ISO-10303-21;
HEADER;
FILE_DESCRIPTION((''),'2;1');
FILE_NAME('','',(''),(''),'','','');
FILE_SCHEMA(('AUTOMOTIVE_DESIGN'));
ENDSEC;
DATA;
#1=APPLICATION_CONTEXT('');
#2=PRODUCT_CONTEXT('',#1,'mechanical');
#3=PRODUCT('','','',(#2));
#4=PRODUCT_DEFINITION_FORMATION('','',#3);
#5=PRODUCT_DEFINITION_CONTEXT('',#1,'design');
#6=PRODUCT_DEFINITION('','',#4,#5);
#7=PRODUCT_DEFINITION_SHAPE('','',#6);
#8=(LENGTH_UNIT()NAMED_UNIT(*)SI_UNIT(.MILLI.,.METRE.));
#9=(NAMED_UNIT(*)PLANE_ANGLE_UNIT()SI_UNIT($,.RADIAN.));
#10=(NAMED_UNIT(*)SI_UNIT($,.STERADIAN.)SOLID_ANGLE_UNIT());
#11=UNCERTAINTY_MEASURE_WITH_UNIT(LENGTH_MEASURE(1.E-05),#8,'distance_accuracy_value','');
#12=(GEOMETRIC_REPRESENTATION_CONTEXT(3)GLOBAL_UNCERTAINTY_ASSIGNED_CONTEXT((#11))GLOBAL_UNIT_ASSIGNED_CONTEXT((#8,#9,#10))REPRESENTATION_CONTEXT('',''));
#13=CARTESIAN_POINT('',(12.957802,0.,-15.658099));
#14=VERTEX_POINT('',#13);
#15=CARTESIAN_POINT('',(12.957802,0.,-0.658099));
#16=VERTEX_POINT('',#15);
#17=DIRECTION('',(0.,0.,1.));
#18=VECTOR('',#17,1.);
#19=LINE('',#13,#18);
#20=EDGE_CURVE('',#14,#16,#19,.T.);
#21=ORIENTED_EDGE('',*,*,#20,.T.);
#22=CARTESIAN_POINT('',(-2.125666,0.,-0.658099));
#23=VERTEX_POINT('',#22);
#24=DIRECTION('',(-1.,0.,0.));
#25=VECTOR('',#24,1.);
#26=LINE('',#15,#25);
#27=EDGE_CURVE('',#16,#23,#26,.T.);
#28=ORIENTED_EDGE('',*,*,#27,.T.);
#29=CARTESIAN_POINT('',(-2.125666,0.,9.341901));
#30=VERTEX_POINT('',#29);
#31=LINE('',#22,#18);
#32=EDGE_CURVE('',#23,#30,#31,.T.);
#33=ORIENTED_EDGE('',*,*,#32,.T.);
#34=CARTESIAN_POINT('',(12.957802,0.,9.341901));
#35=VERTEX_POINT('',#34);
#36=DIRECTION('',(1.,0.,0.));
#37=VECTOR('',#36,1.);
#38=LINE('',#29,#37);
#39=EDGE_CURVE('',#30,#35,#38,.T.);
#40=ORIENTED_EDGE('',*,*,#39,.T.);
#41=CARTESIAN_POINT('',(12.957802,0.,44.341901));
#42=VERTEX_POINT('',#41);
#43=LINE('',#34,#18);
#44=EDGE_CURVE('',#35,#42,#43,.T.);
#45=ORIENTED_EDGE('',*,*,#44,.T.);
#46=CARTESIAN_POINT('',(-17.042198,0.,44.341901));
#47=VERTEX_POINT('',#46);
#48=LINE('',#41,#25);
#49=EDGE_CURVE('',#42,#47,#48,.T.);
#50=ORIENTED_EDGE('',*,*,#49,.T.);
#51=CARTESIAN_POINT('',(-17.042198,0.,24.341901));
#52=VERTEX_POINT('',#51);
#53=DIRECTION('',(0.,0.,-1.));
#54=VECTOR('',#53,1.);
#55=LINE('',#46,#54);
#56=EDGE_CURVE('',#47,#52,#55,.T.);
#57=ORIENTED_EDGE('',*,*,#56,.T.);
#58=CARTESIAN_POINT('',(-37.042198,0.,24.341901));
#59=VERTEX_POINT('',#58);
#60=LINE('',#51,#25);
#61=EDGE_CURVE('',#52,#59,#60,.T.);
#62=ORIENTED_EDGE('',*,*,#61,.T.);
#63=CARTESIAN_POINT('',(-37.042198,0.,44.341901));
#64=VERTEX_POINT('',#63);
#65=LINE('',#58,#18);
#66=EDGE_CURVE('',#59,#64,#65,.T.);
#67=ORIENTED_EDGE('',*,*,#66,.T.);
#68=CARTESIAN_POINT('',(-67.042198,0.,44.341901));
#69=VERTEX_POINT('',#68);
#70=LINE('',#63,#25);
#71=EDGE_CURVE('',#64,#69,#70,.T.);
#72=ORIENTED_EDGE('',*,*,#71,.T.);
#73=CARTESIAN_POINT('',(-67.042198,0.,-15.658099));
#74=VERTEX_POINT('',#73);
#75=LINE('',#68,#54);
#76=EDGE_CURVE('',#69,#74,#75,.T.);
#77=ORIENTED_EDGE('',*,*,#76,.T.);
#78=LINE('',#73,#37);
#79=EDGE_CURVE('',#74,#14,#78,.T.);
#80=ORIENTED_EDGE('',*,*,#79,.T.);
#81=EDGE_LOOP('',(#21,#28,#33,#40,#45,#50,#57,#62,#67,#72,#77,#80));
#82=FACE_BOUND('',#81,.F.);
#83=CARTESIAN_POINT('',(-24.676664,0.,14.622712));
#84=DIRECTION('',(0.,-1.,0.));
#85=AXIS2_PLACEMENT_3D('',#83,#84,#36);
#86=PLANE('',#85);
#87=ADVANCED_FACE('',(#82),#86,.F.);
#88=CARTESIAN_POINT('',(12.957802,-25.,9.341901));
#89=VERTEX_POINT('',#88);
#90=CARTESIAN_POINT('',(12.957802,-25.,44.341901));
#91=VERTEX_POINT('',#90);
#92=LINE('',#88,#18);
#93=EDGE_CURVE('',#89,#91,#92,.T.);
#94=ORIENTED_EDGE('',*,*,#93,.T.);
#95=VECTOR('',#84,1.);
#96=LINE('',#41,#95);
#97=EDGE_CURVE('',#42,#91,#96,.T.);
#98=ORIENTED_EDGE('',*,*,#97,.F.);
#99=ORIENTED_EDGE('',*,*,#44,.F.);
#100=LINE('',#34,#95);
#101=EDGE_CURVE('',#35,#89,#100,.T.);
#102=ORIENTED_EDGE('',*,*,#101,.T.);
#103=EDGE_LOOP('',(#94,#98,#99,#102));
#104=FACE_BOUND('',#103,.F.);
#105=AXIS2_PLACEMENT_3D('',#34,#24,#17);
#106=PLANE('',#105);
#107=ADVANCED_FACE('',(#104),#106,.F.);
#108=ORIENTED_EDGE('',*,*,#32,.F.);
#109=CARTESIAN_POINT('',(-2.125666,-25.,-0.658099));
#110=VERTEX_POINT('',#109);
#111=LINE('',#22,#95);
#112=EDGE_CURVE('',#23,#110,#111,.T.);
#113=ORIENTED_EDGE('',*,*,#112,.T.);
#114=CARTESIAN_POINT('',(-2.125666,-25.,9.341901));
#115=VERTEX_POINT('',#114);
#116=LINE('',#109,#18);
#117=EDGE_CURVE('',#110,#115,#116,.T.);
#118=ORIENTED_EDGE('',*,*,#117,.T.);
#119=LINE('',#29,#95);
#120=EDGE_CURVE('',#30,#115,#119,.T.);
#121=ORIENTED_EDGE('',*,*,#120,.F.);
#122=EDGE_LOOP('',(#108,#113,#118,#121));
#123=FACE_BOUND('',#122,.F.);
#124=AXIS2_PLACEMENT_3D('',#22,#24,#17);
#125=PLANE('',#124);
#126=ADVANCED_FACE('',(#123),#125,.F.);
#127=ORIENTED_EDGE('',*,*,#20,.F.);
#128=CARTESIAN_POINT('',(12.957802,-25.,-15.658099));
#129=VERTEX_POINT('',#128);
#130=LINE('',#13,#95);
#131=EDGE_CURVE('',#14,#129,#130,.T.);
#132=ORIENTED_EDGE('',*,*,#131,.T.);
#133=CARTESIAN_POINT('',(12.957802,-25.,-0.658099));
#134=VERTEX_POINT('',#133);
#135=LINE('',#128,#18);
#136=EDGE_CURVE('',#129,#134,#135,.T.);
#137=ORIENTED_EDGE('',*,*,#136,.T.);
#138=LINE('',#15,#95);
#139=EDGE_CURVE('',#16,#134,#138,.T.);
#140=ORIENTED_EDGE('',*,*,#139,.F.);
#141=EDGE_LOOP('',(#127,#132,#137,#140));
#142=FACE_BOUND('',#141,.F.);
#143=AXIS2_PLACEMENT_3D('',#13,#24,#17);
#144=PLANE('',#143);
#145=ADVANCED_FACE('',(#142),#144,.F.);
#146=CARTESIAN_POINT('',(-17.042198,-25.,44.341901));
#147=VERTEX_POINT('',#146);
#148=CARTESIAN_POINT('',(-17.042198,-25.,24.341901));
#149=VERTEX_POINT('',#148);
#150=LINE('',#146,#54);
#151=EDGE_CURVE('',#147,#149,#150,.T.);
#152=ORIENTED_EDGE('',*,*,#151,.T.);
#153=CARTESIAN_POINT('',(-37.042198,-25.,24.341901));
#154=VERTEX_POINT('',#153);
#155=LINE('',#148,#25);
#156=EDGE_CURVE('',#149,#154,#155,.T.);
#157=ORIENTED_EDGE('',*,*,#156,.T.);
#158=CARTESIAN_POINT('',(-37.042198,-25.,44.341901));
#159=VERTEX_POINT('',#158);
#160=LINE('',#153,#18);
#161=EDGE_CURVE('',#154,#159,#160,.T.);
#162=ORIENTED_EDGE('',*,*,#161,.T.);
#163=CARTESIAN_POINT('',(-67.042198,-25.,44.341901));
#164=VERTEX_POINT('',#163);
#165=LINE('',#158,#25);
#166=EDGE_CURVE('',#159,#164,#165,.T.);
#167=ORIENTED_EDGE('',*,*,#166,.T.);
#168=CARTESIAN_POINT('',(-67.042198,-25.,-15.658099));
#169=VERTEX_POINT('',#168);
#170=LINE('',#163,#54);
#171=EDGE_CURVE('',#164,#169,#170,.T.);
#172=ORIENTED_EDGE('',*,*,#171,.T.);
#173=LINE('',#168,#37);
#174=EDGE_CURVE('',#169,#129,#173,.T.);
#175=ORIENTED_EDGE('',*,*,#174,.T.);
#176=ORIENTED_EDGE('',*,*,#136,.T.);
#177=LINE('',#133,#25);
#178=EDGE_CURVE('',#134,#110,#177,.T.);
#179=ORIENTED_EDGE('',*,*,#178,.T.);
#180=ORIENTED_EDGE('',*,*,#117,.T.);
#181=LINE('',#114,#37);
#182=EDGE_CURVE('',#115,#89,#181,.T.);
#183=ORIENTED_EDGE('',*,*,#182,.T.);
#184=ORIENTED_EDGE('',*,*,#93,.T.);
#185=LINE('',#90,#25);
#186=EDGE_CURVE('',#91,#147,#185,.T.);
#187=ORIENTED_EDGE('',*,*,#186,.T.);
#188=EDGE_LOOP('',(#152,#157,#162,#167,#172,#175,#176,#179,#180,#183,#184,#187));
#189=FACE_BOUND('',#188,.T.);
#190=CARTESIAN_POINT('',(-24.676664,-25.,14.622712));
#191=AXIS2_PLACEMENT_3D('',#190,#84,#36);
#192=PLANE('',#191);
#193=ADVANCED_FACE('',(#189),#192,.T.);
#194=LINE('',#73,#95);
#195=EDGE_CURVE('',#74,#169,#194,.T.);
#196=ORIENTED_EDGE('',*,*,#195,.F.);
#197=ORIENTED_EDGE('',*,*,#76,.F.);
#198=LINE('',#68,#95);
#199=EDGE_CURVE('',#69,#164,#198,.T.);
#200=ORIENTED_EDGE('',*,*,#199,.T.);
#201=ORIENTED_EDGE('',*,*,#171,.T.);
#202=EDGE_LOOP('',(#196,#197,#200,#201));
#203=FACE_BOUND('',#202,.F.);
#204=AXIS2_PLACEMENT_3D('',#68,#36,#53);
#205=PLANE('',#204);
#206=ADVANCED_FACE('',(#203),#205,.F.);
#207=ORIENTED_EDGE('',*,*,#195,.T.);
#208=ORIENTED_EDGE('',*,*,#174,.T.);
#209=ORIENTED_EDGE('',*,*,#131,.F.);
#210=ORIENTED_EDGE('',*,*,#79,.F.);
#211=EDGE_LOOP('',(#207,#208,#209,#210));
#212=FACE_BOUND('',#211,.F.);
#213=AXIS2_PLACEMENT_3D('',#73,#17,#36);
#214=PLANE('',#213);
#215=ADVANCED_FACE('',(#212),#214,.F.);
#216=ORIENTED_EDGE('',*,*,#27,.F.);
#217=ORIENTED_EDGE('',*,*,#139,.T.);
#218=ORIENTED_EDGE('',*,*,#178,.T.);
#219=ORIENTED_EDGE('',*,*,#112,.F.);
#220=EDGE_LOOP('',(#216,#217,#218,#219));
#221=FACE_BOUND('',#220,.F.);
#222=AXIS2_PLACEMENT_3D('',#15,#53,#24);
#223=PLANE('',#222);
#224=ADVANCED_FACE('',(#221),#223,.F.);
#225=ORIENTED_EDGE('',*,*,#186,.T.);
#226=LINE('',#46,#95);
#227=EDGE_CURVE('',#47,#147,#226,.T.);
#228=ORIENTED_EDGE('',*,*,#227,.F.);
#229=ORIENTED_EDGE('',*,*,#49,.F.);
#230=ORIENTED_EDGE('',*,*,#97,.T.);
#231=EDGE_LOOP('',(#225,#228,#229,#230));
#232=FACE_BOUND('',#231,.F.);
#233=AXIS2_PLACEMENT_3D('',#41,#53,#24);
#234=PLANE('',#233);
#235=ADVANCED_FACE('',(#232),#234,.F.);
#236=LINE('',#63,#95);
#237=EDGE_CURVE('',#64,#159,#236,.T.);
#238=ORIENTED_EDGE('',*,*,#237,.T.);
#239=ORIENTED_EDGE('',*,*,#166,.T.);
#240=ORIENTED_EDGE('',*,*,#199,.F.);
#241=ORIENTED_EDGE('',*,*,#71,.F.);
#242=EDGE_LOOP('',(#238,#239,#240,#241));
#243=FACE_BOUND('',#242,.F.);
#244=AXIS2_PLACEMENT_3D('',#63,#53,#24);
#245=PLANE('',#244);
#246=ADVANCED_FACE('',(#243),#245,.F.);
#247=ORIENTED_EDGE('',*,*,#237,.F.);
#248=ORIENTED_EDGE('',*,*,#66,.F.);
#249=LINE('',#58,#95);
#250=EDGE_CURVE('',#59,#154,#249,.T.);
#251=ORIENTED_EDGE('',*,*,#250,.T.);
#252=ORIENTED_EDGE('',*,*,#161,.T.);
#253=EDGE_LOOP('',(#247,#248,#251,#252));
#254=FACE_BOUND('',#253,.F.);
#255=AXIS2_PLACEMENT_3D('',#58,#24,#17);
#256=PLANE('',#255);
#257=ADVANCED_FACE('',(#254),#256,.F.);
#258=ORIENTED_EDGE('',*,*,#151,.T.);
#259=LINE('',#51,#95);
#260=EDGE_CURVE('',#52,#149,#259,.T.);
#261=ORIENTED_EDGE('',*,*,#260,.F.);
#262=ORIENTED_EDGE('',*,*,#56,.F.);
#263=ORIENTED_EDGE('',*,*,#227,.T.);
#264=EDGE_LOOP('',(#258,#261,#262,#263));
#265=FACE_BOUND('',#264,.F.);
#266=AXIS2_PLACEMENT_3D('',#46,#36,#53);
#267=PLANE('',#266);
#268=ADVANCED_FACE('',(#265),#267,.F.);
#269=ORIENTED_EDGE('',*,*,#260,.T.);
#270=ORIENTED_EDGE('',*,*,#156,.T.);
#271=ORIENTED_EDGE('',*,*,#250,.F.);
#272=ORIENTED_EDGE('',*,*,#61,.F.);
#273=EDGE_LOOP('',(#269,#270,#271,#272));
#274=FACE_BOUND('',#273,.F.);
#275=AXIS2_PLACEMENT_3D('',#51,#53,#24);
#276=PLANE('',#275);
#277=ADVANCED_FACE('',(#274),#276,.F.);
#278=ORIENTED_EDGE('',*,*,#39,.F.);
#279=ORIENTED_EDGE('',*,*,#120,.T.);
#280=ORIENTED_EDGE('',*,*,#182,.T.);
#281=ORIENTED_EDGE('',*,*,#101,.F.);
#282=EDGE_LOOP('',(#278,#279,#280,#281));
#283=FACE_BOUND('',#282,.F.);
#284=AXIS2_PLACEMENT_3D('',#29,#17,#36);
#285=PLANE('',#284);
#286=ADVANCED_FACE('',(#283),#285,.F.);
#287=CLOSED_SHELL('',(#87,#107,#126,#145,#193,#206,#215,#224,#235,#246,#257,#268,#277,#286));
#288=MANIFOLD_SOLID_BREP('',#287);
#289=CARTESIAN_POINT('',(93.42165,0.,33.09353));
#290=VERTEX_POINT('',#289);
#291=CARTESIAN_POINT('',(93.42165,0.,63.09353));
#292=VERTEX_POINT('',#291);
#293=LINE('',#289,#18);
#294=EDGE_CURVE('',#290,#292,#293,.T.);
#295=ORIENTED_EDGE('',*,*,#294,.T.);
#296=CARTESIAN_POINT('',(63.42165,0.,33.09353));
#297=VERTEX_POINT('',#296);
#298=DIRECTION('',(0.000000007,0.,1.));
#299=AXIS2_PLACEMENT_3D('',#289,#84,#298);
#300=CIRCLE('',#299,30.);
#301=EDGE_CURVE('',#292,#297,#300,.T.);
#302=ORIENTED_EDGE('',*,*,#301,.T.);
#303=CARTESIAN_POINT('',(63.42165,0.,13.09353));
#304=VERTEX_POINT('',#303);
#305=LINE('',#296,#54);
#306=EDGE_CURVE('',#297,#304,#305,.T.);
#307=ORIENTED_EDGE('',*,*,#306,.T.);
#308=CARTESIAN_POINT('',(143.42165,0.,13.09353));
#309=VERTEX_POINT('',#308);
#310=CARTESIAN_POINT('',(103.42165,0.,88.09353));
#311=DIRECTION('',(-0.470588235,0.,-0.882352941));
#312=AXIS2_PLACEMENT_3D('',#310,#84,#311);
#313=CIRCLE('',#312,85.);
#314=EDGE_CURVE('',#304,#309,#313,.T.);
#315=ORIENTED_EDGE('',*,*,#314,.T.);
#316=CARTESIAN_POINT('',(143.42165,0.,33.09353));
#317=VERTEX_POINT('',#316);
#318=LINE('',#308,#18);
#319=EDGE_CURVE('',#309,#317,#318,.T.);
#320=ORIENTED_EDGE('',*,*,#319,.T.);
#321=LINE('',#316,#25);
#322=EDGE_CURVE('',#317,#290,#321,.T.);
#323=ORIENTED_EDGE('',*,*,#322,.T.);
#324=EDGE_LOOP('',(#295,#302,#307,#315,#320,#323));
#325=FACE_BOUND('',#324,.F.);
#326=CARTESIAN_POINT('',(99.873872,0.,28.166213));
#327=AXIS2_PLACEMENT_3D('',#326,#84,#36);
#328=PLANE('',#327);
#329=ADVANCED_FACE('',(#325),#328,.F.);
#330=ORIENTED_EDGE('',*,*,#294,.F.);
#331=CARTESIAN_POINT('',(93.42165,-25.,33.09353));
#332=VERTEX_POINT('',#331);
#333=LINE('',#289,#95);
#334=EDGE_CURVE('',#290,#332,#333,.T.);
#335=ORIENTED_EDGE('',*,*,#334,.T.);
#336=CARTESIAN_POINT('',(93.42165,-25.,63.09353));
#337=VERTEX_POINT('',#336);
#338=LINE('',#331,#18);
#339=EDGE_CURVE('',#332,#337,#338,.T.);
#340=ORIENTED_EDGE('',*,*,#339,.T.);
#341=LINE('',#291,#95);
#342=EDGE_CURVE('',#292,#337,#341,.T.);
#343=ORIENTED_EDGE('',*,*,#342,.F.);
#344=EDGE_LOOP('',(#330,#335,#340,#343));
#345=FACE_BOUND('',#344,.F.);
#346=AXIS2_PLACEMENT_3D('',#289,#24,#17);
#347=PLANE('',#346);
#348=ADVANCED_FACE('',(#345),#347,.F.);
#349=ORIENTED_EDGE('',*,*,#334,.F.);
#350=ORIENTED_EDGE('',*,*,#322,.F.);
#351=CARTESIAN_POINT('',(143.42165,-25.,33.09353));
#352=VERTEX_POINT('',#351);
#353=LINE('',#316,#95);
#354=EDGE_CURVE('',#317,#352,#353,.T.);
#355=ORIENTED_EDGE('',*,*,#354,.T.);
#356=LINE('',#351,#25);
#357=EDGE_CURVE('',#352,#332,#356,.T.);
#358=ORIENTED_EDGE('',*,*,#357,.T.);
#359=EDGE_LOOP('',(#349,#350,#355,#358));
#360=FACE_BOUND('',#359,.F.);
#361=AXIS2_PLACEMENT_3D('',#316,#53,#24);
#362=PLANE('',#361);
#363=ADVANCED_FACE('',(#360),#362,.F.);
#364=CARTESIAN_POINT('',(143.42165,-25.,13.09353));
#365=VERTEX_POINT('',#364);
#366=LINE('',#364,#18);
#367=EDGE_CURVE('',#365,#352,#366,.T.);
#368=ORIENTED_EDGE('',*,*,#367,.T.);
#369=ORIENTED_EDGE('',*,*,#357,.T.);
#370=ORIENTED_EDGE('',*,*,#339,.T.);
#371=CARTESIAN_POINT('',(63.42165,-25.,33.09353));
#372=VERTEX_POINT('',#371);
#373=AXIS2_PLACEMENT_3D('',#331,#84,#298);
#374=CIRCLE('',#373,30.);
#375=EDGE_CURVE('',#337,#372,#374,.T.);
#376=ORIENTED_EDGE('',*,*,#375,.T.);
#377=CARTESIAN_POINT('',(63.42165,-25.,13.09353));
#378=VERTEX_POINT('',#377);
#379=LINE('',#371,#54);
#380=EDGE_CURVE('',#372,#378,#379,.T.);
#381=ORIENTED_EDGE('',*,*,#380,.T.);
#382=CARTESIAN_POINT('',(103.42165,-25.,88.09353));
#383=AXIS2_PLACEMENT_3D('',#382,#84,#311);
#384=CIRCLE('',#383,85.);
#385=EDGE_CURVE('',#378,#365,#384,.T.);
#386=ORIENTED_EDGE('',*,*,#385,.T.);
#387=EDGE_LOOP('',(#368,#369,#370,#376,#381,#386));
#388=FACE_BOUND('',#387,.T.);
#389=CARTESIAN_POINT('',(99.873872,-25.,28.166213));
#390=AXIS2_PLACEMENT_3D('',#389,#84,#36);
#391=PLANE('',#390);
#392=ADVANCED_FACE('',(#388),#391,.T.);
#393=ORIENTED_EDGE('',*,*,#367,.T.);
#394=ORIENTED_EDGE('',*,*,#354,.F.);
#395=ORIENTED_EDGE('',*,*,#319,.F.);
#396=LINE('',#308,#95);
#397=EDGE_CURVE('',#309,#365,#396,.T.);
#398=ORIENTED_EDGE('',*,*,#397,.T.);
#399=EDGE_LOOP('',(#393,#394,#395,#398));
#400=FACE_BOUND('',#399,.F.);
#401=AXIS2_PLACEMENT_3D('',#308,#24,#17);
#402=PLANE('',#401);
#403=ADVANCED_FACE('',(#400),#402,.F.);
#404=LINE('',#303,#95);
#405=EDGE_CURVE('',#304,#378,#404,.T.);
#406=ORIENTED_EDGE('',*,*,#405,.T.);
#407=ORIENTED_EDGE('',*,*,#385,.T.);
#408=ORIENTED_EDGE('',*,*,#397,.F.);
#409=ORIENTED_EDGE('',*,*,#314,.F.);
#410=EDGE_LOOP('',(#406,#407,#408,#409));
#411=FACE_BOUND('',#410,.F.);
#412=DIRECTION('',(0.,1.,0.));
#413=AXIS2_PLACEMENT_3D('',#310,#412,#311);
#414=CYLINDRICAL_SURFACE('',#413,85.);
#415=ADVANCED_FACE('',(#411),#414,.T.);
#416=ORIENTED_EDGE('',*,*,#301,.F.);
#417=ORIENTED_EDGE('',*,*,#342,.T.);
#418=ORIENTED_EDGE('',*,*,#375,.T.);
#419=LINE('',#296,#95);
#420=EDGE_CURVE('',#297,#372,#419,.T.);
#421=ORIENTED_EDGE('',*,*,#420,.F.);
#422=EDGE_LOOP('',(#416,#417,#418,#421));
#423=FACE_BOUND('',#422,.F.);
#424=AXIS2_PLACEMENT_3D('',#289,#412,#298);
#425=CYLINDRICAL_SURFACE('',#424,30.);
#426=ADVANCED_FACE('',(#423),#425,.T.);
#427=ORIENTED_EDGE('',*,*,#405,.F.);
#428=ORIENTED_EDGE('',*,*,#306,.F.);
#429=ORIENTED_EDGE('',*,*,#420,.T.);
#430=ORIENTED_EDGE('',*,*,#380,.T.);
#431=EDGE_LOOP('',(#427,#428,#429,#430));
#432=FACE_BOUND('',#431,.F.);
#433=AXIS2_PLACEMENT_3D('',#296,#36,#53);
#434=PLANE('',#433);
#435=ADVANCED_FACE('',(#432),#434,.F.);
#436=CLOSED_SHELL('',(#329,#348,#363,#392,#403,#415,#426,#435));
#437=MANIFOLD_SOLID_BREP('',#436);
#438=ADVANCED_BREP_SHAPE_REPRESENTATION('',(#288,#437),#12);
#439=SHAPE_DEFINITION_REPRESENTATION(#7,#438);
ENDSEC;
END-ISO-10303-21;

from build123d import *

# Parameters (mm, degrees)
F1_DEPTH = 25


with BuildPart() as f1:
    # F0 (on Front) → F1 (new body)
    with BuildSketch(Plane.XZ):
        Polygon((-37.042198, 44.341901), (-67.042198, 44.341901), (-67.042198, -15.658099), (12.957802, -15.658099), (12.957802, -0.658099), (-2.125666, -0.658099), (-2.125666, 9.341901), (12.957802, 9.341901), (12.957802, 44.341901), (-17.042198, 44.341901), (-17.042198, 24.341901), (-37.042198, 24.341901), align=None)
        with BuildLine():
            Line((93.42165, 33.09353), (93.42165, 63.09353))
            ThreePointArc((93.42165, 63.09353), (72.208447, 54.306734), (63.42165, 33.09353))
            Line((63.42165, 33.09353), (63.42165, 13.09353))
            ThreePointArc((63.42165, 13.09353), (103.42165, 3.09353), (143.42165, 13.09353))
            Line((143.42165, 13.09353), (143.42165, 33.09353))
            Line((143.42165, 33.09353), (93.42165, 33.09353))
        make_face()
    extrude(amount=F1_DEPTH)


solid = f1.part
